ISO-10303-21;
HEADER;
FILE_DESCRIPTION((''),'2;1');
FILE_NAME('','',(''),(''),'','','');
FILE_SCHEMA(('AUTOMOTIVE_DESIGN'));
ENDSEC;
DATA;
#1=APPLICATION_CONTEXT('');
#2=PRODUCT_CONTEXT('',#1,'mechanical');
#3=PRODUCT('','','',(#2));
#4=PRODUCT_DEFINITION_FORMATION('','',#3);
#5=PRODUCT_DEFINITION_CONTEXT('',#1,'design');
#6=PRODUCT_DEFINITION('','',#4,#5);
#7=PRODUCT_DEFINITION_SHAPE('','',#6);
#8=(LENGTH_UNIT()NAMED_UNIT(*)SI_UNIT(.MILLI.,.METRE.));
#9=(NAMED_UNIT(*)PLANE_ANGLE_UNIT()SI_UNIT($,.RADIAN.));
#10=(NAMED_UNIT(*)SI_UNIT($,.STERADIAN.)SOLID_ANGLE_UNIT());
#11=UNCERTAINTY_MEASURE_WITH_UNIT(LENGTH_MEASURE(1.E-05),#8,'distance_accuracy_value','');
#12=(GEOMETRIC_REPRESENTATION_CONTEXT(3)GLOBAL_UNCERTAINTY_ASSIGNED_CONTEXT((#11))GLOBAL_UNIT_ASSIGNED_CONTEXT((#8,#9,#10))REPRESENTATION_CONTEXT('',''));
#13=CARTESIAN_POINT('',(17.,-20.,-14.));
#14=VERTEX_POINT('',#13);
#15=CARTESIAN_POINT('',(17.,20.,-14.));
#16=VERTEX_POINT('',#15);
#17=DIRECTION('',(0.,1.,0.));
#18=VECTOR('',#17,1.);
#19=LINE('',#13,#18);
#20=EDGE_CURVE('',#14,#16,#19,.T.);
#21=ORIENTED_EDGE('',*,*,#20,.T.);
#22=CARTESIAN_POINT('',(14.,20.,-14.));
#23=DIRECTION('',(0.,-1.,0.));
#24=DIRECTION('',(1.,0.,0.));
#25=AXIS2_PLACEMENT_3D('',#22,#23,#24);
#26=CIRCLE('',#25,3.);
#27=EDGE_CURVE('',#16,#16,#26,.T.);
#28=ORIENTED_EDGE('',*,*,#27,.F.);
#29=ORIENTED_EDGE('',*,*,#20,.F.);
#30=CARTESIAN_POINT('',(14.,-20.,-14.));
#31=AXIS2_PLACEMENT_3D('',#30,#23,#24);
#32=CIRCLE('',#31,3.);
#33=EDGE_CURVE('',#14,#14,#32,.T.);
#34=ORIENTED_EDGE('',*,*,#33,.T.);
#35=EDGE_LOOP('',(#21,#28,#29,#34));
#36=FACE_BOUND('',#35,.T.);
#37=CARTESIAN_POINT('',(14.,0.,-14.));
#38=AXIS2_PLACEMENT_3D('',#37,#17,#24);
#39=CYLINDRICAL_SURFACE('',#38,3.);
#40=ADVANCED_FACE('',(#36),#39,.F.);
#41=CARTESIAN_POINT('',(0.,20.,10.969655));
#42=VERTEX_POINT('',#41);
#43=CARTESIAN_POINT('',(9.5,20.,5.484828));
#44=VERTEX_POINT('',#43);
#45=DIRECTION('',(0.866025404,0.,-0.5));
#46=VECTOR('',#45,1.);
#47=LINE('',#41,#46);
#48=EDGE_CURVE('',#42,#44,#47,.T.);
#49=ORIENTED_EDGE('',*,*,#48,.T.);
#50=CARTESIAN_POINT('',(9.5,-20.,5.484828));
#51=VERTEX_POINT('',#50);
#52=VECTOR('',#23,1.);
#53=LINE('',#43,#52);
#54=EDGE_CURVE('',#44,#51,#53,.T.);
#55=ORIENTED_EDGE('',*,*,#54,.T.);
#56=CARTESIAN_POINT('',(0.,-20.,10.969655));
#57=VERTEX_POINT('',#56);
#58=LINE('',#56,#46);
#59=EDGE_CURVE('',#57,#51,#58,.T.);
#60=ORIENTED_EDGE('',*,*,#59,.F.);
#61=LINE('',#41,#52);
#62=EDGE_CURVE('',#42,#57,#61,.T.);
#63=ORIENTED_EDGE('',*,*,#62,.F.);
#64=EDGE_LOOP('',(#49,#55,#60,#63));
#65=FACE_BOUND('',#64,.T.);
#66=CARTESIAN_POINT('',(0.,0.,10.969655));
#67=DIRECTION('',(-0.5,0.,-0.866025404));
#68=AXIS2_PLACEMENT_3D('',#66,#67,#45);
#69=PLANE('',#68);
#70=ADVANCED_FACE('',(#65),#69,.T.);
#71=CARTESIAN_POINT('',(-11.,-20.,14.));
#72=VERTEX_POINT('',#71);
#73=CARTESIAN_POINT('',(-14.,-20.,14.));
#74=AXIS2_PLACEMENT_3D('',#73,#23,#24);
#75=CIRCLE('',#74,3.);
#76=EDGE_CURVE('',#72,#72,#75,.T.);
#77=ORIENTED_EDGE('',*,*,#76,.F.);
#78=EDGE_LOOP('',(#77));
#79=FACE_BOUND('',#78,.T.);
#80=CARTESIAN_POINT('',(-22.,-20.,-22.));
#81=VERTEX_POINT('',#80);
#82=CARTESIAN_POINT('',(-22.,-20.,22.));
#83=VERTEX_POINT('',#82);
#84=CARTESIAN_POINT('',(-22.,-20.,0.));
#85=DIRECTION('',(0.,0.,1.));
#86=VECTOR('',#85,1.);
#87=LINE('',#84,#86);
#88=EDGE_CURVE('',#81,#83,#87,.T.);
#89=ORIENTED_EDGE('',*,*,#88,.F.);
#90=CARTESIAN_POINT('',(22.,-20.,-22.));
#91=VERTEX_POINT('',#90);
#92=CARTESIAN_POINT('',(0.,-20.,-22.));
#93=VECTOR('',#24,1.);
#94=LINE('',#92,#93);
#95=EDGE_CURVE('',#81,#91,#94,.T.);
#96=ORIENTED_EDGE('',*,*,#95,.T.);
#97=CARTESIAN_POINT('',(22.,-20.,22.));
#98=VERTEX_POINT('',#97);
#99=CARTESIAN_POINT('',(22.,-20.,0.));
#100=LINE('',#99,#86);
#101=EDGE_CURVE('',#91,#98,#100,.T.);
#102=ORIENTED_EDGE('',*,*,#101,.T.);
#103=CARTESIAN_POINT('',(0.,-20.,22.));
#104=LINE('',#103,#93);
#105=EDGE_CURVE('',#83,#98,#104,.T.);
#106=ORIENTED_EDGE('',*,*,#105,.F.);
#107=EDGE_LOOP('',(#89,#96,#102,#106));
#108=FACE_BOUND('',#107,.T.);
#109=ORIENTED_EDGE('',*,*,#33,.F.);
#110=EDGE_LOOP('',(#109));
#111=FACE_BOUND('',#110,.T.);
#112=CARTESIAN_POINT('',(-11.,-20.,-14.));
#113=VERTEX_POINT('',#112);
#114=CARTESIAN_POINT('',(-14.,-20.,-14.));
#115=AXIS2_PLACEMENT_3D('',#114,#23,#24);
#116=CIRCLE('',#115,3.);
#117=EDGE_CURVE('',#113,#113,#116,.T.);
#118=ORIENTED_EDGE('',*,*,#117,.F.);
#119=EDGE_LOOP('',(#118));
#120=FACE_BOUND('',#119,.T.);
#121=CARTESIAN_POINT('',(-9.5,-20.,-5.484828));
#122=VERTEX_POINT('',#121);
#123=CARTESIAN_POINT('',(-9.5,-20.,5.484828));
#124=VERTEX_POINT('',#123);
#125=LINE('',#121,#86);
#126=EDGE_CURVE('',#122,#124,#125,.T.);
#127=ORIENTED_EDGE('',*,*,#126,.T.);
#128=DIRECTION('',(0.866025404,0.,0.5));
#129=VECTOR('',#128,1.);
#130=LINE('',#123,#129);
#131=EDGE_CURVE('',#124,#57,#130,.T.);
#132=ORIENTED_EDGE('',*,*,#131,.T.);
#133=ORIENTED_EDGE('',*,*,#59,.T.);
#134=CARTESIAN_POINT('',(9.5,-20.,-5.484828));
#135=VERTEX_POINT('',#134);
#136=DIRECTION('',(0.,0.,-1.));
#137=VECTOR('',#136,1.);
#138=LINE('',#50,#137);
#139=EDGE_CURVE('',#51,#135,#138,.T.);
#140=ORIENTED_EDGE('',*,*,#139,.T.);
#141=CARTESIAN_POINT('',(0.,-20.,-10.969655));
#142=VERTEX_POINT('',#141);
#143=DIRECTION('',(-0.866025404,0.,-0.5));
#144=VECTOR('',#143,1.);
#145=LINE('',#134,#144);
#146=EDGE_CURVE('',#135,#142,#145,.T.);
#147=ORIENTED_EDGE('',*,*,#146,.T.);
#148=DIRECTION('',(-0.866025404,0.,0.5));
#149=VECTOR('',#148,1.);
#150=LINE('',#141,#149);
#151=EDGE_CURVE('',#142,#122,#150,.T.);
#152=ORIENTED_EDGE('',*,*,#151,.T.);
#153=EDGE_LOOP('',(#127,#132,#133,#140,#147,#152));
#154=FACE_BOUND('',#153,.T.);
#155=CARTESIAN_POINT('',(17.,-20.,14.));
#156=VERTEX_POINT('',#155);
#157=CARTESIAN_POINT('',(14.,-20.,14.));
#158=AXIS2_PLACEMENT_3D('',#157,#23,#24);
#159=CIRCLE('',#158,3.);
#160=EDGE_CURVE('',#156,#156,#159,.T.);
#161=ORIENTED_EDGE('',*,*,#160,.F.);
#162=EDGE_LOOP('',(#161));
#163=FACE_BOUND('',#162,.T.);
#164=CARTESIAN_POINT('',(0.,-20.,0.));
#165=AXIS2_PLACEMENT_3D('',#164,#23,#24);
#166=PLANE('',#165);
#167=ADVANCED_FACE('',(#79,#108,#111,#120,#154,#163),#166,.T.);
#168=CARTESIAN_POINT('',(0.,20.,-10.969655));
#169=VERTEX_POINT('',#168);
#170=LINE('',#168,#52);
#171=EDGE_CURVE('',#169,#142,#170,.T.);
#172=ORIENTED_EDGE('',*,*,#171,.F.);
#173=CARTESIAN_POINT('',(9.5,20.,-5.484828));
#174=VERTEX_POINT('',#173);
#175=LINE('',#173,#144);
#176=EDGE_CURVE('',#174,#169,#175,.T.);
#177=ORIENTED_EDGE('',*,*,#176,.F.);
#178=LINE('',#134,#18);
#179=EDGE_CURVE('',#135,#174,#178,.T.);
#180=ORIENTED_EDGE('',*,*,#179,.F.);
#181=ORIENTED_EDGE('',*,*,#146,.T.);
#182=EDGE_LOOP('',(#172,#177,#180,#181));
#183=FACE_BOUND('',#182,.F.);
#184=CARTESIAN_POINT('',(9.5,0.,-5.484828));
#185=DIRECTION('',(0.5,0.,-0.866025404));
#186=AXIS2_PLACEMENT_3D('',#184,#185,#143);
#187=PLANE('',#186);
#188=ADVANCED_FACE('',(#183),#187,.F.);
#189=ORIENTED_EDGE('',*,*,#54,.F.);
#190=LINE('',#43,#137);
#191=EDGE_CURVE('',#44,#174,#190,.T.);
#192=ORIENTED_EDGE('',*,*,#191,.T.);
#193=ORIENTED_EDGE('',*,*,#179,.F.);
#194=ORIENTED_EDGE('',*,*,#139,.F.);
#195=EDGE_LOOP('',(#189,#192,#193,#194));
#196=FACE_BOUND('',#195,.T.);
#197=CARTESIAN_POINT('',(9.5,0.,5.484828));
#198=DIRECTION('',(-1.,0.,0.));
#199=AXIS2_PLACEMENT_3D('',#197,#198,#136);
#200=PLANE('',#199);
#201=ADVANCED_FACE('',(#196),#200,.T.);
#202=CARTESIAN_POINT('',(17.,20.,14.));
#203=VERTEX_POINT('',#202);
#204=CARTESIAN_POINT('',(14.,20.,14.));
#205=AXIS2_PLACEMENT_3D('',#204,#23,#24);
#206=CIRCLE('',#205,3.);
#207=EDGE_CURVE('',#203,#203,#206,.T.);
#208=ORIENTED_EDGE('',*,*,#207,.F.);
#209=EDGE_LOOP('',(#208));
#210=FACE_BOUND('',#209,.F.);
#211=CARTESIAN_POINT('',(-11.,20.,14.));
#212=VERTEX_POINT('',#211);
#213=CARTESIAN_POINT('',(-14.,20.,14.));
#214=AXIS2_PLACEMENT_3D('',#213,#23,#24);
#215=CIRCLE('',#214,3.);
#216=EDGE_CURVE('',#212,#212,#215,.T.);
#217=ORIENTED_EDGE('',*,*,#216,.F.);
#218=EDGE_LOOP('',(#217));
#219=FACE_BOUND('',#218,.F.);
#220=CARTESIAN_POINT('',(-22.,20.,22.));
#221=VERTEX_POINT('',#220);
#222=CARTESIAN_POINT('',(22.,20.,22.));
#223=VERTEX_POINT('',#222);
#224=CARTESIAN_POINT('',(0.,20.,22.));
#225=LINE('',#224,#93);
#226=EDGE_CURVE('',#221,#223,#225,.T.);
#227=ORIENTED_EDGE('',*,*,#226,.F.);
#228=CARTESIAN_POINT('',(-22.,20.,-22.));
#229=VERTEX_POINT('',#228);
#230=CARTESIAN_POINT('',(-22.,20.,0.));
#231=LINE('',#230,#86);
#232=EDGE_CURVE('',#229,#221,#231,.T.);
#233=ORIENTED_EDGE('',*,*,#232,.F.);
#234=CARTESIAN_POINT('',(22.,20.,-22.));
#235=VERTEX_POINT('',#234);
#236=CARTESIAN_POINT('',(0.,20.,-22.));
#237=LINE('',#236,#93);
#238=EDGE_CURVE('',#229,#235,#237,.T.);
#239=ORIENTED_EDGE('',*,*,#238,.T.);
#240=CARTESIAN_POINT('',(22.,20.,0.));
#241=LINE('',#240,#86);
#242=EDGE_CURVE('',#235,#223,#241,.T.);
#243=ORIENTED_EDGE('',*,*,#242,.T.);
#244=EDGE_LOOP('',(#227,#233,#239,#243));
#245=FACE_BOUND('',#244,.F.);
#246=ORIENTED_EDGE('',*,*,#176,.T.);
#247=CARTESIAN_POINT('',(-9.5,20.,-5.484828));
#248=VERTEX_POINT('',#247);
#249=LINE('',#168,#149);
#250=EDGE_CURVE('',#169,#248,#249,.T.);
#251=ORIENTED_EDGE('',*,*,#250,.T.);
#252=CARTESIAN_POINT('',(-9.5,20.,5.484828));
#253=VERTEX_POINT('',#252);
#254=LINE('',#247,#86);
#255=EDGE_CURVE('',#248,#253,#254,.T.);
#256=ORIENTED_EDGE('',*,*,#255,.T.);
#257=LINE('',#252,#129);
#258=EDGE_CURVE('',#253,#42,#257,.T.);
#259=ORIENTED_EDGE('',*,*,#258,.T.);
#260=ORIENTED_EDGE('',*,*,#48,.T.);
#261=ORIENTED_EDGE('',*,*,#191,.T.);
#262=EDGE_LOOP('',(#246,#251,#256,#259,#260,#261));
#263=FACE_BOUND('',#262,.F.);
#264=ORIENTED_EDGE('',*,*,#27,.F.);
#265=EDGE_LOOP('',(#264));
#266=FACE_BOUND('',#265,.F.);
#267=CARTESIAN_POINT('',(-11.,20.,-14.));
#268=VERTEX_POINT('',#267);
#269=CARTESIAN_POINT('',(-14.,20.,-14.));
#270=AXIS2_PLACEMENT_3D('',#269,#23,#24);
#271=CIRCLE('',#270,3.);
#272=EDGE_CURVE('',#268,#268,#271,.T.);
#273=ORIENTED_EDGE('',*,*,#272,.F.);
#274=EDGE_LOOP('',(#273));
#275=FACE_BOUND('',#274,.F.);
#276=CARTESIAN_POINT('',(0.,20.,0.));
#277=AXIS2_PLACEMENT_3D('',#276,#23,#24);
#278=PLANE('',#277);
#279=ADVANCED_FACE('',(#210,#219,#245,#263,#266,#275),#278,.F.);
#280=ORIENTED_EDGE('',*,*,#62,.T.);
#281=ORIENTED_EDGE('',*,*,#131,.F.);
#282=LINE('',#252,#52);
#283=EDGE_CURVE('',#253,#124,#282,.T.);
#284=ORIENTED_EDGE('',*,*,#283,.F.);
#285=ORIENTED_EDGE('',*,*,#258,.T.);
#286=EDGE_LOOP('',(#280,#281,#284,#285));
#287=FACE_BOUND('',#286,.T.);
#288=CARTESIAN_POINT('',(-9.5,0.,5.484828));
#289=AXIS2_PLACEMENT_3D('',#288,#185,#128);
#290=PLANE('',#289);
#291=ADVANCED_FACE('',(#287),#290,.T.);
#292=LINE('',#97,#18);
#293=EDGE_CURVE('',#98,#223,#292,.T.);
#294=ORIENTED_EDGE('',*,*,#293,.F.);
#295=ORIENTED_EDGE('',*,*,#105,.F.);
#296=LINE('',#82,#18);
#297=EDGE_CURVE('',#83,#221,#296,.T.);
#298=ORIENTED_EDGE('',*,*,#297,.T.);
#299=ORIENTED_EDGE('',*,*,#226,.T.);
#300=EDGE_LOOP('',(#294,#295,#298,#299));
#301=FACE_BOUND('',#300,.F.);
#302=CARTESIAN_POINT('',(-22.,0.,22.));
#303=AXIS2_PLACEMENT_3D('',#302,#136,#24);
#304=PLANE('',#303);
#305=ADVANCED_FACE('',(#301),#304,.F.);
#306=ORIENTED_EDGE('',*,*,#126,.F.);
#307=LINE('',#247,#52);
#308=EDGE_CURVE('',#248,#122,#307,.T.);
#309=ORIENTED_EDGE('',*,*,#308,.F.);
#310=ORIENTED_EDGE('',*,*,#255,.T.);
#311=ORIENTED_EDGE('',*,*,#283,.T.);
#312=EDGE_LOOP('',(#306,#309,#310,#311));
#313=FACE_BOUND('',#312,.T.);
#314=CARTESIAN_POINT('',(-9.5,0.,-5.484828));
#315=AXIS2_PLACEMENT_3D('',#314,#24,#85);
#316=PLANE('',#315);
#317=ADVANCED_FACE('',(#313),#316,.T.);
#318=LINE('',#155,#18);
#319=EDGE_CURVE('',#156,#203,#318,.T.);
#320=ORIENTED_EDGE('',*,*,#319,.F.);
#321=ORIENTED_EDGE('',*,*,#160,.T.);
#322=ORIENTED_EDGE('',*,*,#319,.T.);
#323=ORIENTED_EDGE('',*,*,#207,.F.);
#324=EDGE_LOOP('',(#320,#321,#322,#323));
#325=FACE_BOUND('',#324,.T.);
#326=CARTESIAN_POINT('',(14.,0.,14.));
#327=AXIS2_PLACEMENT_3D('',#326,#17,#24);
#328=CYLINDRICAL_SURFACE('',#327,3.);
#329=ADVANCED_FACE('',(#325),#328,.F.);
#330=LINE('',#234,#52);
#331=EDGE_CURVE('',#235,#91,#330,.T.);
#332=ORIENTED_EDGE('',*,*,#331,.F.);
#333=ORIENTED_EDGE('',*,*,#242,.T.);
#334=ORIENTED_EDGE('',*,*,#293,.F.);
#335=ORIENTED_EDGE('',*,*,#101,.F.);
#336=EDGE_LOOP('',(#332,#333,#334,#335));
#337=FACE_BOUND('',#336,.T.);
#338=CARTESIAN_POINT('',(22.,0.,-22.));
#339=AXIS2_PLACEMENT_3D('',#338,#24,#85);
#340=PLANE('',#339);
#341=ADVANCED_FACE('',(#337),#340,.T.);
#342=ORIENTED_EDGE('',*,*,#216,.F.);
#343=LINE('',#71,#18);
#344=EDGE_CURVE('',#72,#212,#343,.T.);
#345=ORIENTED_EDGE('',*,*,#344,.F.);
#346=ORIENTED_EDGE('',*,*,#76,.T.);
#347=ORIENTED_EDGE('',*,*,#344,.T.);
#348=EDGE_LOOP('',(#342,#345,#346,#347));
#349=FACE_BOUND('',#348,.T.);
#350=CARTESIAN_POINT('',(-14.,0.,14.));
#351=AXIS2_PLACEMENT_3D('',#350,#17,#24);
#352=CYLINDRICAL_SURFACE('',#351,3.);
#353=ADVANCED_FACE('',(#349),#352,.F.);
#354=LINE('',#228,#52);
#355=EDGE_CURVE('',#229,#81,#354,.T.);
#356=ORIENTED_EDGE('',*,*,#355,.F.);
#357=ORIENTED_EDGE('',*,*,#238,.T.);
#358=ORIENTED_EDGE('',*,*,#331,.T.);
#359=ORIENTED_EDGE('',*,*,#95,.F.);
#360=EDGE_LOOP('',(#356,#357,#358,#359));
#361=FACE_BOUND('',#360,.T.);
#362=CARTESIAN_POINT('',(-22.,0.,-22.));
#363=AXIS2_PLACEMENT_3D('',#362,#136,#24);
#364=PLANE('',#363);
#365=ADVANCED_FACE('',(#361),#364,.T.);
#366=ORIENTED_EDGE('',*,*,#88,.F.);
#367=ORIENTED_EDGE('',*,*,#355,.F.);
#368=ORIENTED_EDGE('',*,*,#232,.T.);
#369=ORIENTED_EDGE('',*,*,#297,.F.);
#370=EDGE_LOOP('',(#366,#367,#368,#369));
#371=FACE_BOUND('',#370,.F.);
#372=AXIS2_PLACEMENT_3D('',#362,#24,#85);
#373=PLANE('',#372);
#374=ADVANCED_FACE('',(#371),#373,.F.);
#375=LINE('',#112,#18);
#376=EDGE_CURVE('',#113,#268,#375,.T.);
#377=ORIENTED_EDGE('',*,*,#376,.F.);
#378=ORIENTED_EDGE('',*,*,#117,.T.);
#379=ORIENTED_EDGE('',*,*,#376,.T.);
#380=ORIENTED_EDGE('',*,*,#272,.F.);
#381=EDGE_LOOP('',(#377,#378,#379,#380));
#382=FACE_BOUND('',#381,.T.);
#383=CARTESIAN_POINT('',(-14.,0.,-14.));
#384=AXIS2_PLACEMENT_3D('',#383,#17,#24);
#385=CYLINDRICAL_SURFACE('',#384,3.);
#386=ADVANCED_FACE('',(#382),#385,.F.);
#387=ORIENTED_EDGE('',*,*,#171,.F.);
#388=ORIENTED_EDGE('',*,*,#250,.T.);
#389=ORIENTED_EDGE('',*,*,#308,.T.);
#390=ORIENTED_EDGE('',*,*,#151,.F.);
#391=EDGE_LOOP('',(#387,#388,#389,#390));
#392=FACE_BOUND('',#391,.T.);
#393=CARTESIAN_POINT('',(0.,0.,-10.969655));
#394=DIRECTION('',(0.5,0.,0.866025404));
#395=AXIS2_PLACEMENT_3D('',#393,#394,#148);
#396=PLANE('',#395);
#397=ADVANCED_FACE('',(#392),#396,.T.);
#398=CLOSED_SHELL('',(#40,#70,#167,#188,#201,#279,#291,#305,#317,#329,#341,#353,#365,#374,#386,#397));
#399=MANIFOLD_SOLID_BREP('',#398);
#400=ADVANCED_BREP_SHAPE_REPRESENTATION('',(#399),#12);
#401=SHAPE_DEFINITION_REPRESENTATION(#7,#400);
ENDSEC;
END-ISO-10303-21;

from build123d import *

# Parameters (mm, degrees)
F0_W     = 44
F0_H     = 44
F0_R     = 3
F1_DEPTH = 20


with BuildPart() as f1:
    # F0 (on Front) → F1 (new body, symmetric)
    with BuildSketch(Plane.XZ):
        Rectangle(F0_W, F0_H)
        with Locations((-14, -14)):
            Circle(F0_R, mode=Mode.SUBTRACT)
        with Locations((14, -14)):
            Circle(F0_R, mode=Mode.SUBTRACT)
        with Locations((-14, 14)):
            Circle(F0_R, mode=Mode.SUBTRACT)
        Polygon((0, 10.9696551146), (9.5, 5.4848275573), (9.5, -5.4848275573), (0, -10.9696551146), (-9.5, -5.4848275573), (-9.5, 5.4848275573), align=None, mode=Mode.SUBTRACT)
        with Locations((14, 14)):
            Circle(F0_R, mode=Mode.SUBTRACT)
    extrude(amount=F1_DEPTH, both=True)


solid = f1.part
